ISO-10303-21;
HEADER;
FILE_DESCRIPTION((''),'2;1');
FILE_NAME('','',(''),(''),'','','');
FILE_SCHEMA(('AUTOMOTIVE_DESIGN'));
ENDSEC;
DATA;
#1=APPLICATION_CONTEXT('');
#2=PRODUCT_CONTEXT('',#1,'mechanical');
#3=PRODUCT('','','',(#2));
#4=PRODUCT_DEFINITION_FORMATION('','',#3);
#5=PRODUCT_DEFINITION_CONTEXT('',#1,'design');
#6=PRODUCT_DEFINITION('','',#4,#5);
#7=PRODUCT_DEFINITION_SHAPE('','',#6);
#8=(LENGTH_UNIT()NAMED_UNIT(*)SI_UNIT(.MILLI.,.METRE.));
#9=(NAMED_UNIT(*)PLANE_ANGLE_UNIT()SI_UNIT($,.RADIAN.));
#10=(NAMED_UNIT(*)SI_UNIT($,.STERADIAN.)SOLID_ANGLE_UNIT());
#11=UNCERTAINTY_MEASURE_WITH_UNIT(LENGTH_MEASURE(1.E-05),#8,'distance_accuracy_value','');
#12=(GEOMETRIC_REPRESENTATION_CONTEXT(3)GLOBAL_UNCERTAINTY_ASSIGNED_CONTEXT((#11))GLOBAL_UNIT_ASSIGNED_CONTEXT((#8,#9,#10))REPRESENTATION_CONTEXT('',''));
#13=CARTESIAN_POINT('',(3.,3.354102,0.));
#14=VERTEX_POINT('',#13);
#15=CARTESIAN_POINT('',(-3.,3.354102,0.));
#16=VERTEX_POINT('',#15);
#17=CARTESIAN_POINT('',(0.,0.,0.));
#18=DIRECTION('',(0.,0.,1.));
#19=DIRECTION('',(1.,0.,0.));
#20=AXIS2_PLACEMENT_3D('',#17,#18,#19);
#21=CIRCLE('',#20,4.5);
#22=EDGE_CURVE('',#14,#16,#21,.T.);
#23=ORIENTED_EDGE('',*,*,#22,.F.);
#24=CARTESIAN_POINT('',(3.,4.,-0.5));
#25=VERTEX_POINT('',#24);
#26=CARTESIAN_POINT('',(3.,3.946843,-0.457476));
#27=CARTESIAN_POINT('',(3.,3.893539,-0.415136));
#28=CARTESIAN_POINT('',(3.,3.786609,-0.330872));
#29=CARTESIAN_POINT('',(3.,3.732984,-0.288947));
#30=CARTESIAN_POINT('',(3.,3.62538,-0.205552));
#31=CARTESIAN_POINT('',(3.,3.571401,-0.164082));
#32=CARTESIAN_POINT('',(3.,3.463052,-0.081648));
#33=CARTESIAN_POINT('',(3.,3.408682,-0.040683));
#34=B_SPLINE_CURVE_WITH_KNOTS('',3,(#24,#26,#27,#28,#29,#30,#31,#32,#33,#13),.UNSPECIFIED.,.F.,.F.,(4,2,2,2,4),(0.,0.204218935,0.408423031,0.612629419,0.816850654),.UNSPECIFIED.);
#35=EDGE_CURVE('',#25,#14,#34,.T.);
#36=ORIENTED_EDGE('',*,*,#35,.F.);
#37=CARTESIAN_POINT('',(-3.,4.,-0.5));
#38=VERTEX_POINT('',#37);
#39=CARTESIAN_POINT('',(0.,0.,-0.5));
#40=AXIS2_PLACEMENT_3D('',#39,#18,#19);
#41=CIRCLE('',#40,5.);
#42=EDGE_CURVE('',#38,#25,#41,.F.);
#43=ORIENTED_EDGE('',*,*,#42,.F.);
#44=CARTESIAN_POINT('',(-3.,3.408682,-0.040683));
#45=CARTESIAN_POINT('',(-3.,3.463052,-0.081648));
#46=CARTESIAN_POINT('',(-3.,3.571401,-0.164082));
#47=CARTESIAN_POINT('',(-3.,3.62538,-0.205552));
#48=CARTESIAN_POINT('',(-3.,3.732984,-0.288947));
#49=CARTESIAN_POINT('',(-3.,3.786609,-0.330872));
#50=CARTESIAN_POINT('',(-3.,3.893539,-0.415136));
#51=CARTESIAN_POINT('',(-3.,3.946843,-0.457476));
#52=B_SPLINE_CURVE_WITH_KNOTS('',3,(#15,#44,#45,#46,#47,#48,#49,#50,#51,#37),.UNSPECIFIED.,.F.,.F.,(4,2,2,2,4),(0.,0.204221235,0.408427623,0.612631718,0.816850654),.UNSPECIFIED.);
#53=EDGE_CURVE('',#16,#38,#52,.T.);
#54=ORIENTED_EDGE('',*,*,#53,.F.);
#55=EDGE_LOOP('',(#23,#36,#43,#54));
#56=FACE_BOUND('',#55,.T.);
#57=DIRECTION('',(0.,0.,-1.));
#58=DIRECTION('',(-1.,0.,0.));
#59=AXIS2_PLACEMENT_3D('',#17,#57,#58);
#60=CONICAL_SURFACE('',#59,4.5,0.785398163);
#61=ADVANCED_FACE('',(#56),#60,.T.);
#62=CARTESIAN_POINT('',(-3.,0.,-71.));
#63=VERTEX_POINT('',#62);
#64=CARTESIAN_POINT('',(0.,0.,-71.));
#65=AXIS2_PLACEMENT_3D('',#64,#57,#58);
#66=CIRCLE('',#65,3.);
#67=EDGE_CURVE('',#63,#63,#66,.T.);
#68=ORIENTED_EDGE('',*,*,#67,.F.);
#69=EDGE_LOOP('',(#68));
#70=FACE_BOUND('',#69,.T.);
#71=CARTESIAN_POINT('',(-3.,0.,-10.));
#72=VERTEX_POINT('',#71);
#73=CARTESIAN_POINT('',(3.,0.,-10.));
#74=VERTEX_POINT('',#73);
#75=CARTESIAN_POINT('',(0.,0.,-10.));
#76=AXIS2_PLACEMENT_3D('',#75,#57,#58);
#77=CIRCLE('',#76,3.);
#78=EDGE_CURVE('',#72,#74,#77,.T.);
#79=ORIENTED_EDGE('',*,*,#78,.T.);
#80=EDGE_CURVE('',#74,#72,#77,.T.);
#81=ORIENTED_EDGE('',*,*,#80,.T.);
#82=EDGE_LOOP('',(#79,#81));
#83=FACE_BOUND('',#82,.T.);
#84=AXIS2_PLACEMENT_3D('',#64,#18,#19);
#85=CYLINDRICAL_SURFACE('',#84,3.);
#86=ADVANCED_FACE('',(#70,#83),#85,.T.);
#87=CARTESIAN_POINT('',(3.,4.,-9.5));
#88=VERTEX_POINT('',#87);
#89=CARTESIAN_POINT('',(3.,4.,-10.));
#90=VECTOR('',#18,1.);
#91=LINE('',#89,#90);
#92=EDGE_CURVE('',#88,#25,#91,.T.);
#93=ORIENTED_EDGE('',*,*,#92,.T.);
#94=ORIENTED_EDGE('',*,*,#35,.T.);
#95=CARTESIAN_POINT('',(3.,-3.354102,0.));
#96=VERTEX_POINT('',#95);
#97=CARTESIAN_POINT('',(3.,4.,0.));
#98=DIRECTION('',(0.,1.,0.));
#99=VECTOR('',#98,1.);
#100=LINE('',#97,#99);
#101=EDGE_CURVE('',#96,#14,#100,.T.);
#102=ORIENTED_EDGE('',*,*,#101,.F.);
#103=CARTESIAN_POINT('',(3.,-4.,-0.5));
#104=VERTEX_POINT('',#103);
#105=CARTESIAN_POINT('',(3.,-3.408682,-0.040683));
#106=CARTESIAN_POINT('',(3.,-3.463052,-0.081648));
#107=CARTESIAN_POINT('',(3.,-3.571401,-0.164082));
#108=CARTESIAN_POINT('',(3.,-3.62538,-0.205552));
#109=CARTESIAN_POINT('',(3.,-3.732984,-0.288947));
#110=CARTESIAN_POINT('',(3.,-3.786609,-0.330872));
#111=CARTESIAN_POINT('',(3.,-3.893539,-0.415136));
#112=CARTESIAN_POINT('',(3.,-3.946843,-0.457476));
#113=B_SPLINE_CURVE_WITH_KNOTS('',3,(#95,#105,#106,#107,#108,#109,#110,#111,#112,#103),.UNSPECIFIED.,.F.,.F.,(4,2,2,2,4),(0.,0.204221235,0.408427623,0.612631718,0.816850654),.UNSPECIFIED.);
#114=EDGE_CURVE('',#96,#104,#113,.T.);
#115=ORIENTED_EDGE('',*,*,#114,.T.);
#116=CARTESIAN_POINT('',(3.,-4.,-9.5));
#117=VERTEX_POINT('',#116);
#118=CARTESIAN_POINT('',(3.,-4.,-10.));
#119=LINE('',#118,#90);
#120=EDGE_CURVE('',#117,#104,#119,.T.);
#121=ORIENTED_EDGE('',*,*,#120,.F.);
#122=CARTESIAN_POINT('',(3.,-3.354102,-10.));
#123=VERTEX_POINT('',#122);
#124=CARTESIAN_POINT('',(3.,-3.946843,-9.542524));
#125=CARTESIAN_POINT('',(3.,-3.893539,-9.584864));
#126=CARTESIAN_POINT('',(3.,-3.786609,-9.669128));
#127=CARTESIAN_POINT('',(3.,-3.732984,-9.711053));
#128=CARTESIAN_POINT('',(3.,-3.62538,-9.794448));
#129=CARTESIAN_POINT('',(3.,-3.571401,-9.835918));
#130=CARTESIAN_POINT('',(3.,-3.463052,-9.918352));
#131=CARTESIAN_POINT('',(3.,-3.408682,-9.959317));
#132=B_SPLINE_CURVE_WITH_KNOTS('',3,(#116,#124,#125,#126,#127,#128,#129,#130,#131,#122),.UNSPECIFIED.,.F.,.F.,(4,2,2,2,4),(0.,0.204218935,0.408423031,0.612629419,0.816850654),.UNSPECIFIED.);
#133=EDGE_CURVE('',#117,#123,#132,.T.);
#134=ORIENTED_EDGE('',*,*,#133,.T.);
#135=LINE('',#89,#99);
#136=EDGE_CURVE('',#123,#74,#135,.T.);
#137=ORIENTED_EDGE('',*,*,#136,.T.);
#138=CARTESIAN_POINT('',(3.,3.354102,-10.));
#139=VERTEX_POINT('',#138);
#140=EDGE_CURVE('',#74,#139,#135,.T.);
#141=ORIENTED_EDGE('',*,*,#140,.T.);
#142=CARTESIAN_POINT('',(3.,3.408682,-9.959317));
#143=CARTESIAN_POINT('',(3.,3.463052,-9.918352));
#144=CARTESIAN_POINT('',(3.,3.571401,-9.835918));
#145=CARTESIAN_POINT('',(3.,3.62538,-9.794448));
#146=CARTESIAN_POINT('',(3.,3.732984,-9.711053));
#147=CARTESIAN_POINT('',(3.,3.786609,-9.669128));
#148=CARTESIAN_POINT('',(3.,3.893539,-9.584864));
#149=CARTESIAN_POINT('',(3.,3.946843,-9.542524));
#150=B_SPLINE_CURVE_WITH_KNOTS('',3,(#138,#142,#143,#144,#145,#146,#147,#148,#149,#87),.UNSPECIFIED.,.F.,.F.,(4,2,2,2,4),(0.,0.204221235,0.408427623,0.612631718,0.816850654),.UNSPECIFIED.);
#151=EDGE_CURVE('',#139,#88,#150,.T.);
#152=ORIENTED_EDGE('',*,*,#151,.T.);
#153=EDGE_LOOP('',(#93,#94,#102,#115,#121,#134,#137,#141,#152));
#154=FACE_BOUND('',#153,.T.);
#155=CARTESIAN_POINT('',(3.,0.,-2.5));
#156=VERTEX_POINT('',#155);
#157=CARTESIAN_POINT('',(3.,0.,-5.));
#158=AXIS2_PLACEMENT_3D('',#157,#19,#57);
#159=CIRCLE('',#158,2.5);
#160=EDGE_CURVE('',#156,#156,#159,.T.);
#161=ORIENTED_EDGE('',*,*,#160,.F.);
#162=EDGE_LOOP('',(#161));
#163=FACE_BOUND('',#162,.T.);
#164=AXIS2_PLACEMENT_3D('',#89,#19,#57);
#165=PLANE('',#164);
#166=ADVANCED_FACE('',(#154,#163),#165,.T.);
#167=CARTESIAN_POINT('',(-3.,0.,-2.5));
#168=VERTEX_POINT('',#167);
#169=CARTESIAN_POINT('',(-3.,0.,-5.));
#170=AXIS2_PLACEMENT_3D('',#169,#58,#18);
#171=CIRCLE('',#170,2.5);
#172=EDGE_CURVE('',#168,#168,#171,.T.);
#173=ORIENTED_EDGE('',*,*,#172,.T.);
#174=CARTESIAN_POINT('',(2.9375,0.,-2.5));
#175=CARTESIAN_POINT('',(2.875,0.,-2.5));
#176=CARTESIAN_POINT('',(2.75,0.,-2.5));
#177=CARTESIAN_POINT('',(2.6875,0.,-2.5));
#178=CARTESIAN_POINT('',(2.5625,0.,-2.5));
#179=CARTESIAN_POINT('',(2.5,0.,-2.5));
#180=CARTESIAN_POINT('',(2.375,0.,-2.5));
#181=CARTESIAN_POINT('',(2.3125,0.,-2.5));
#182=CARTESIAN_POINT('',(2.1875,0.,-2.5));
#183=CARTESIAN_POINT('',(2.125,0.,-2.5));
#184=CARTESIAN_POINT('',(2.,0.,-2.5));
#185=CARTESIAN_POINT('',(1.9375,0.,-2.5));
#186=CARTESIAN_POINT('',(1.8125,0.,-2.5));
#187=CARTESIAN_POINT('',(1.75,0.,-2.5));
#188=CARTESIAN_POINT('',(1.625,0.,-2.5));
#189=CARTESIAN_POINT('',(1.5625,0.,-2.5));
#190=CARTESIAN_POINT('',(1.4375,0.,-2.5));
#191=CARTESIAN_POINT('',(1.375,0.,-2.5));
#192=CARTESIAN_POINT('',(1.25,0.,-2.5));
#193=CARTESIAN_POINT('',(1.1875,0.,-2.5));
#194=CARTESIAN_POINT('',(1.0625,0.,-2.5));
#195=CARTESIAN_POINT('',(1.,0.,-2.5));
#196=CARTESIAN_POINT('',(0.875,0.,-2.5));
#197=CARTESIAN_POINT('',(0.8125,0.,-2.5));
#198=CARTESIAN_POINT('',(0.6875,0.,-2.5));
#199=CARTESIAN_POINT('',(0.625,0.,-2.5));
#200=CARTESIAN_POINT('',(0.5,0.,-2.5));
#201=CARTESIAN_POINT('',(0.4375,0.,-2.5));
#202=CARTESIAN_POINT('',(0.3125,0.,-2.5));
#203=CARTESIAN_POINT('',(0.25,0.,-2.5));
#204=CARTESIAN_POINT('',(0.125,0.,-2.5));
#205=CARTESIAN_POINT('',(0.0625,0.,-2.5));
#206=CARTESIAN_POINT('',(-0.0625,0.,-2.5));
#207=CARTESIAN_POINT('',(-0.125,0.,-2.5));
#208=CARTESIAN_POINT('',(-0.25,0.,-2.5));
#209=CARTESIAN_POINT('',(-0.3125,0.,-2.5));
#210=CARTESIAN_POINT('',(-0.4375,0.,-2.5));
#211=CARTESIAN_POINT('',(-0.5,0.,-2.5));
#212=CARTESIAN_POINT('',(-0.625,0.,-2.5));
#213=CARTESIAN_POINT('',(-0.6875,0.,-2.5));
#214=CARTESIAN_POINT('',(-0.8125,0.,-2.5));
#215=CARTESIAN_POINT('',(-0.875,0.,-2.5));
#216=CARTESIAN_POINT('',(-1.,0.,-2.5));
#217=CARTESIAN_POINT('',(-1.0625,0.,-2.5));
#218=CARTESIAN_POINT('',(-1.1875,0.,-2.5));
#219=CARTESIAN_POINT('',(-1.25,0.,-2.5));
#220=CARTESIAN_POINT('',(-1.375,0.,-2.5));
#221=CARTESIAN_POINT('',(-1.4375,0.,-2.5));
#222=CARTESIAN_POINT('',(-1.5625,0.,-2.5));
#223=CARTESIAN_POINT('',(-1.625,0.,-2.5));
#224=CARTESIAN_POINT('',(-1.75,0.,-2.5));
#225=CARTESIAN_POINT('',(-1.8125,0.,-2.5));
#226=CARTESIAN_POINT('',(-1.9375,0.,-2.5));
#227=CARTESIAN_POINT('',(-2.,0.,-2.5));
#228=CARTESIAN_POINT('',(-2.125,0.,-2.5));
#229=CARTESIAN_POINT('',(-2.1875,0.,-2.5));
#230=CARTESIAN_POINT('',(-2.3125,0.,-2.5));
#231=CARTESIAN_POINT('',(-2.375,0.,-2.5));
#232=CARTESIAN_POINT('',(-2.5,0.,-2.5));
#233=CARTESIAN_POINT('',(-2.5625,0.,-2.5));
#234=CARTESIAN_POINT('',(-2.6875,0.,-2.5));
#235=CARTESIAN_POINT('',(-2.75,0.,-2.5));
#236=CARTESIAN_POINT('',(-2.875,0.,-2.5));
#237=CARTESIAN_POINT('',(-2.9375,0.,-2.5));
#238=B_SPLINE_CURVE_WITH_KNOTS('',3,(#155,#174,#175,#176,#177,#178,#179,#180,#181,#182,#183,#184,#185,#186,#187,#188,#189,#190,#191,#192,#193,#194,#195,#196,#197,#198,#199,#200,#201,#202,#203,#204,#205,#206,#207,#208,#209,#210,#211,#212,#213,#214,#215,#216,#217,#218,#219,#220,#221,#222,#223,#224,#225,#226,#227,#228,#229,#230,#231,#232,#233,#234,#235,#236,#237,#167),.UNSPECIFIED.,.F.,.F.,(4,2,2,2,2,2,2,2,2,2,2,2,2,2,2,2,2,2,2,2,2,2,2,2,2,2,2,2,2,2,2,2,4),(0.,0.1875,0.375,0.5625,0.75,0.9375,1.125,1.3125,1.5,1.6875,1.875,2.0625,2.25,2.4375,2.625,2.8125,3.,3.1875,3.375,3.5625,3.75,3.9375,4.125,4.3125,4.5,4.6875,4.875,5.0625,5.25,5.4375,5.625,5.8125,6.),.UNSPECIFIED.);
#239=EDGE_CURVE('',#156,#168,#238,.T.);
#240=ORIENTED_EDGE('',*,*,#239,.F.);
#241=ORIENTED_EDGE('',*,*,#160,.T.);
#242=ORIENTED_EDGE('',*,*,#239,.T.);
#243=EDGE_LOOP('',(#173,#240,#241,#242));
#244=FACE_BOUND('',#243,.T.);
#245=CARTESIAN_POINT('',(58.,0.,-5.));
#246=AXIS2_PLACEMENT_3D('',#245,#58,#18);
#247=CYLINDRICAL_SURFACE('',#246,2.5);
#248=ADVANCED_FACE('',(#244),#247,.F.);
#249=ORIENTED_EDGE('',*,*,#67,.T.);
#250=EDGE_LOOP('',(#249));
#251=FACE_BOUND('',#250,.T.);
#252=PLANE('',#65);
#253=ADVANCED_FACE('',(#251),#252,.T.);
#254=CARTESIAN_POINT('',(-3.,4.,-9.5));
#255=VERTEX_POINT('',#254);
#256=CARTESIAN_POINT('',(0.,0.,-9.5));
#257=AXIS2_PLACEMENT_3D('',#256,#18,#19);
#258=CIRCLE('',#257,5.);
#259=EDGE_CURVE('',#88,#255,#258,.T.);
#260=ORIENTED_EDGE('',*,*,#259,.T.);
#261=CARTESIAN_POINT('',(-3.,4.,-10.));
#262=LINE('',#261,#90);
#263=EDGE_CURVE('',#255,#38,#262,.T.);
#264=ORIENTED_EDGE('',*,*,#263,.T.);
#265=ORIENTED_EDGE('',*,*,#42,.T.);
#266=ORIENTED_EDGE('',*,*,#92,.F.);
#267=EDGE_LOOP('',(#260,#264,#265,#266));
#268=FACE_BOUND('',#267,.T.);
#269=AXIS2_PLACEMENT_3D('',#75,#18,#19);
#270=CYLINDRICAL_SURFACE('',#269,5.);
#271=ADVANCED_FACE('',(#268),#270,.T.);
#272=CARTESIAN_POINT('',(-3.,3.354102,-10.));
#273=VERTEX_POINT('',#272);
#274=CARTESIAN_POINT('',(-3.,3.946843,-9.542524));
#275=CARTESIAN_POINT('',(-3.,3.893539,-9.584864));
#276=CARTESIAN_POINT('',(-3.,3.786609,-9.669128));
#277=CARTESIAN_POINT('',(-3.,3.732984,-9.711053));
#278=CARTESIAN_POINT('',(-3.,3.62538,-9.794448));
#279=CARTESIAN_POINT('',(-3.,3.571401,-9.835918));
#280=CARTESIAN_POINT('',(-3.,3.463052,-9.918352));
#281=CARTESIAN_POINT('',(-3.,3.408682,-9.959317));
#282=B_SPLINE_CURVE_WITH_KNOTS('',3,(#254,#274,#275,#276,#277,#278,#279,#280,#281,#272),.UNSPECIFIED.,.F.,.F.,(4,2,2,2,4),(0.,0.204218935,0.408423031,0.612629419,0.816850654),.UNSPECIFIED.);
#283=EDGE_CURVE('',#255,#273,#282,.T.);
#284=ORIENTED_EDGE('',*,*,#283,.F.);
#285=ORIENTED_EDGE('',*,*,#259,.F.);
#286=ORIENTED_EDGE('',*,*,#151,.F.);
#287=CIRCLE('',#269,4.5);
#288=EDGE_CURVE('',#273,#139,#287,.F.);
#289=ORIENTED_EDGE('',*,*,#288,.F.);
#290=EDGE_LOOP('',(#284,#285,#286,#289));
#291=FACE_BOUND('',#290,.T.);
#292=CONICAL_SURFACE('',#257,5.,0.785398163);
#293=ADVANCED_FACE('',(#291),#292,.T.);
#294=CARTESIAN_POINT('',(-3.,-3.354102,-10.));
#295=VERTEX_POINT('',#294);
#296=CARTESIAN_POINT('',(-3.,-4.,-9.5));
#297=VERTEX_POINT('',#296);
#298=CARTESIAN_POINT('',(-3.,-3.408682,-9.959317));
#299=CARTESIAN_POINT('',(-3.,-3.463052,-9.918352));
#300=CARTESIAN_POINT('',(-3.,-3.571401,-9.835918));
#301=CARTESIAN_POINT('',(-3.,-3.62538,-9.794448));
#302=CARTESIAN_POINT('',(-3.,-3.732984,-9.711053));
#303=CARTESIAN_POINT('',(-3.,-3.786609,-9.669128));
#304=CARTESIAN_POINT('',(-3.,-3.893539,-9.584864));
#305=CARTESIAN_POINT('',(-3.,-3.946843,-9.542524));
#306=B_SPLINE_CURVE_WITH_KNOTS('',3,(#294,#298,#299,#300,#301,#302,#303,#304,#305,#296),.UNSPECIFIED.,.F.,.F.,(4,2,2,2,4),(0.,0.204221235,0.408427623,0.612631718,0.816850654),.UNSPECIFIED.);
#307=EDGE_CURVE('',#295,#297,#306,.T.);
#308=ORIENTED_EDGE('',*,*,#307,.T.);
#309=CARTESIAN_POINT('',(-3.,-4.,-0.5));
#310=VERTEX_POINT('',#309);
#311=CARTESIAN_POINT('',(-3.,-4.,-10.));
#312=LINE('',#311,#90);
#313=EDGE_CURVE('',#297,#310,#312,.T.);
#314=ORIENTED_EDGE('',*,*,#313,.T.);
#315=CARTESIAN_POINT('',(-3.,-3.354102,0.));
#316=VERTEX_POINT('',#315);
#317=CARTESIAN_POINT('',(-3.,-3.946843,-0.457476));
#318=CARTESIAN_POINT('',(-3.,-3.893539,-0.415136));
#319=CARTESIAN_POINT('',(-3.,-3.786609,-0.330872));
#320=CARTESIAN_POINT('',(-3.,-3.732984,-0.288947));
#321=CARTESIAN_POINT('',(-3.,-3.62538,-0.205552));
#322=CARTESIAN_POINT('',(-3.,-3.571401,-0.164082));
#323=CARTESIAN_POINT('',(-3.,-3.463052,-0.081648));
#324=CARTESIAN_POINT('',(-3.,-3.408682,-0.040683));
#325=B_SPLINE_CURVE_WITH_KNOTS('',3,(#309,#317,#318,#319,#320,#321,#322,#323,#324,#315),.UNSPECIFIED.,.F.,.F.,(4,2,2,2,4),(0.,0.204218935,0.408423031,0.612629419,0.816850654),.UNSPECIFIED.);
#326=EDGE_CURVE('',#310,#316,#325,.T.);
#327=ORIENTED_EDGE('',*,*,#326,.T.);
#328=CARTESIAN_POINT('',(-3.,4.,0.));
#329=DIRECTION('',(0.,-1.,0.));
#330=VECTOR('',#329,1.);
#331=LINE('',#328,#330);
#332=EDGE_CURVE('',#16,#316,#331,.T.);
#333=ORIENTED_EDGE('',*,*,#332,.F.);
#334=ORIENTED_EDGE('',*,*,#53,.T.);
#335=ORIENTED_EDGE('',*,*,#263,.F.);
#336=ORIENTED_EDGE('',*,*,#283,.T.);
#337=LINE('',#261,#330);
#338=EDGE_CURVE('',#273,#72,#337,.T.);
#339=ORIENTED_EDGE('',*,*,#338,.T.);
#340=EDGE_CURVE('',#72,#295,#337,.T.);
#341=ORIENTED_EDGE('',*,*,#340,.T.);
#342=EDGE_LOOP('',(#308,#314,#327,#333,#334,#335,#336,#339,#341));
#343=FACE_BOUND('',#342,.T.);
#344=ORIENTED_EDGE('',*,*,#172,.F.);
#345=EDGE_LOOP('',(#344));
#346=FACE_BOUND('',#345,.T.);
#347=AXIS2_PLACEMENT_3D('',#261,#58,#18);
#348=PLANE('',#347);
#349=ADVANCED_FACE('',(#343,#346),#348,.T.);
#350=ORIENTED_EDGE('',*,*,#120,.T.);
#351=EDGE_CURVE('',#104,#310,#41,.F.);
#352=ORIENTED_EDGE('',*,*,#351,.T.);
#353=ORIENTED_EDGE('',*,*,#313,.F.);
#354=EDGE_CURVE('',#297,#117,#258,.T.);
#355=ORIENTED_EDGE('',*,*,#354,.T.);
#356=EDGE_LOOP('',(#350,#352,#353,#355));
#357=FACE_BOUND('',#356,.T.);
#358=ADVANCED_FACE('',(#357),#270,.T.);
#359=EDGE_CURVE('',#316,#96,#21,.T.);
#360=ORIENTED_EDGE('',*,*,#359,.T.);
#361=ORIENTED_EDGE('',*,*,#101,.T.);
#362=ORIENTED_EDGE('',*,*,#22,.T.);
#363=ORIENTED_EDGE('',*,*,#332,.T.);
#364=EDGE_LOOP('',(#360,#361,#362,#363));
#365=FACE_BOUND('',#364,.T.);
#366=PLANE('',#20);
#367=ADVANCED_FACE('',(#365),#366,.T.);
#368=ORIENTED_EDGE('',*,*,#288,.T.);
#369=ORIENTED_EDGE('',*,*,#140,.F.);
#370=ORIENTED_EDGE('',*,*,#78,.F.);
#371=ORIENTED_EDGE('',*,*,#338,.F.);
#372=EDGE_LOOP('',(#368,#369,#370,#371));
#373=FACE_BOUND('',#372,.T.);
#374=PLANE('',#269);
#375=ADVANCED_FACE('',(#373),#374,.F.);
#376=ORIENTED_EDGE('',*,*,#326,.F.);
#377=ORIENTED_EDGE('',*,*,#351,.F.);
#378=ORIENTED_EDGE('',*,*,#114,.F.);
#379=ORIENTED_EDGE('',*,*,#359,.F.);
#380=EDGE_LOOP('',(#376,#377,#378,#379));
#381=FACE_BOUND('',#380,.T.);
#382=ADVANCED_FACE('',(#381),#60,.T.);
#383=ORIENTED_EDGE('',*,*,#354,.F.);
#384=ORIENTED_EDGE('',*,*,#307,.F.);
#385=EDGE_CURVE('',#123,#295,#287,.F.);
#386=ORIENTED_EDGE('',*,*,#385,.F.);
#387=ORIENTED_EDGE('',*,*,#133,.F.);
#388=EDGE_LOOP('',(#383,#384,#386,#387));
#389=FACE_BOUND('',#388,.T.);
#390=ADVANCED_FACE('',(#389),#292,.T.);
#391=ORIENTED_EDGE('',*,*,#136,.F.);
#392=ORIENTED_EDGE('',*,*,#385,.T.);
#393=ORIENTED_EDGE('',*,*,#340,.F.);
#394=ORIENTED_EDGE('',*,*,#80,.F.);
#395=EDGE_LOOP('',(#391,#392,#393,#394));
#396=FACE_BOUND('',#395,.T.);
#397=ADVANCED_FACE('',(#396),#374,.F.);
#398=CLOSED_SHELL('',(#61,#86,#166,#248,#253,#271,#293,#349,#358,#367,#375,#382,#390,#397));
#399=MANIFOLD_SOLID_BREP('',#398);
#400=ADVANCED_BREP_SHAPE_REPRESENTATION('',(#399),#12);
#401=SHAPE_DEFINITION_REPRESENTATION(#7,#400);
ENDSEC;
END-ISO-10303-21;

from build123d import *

# Parameters (mm, degrees)
BOSS_EXTRUDE1_DEPTH = 10
SKETCH2_R           = 3
BOSS_EXTRUDE2_DEPTH = 61
CHAMFER1_SIZE       = 0.5
SKETCH3_R           = 2.5
CUT_EXTRUDE1_DEPTH  = 61


with BuildPart() as part:
    # Sketch1 → Boss-Extrude1 (new body)
    with BuildSketch(Plane.XY):
        with BuildLine():
            Line((3, 4), (3, -4))
            ThreePointArc((3, -4), (0, -5), (-3, -4))
            Line((-3, -4), (-3, 4))
            ThreePointArc((-3, 4), (0, 5), (3, 4))
        make_face()
    extrude(amount=-BOSS_EXTRUDE1_DEPTH)

    # Sketch2 → Boss-Extrude2 (add)
    with BuildSketch(Plane(origin=(0, 0, -10), x_dir=(-1, 0, 0), z_dir=(0, 0, -1))):
        Circle(SKETCH2_R)
    extrude(amount=BOSS_EXTRUDE2_DEPTH)

    # Chamfer1
    chamfer1_edges = [part.edges().sort_by_distance(p)[0] for p in [
        (0, -5, -10),
        (0, 5, -10),
        (0, -5, 0),
        (0, 5, 0),
    ]]
    chamfer(chamfer1_edges, length=CHAMFER1_SIZE)

    # Sketch3 → Cut-Extrude1 (cut)
    with BuildSketch(Plane.ZY.offset(3)):
        with Locations((-5, 0)):
            Circle(SKETCH3_R)
    extrude(amount=-CUT_EXTRUDE1_DEPTH, mode=Mode.SUBTRACT)


solid = part.part
